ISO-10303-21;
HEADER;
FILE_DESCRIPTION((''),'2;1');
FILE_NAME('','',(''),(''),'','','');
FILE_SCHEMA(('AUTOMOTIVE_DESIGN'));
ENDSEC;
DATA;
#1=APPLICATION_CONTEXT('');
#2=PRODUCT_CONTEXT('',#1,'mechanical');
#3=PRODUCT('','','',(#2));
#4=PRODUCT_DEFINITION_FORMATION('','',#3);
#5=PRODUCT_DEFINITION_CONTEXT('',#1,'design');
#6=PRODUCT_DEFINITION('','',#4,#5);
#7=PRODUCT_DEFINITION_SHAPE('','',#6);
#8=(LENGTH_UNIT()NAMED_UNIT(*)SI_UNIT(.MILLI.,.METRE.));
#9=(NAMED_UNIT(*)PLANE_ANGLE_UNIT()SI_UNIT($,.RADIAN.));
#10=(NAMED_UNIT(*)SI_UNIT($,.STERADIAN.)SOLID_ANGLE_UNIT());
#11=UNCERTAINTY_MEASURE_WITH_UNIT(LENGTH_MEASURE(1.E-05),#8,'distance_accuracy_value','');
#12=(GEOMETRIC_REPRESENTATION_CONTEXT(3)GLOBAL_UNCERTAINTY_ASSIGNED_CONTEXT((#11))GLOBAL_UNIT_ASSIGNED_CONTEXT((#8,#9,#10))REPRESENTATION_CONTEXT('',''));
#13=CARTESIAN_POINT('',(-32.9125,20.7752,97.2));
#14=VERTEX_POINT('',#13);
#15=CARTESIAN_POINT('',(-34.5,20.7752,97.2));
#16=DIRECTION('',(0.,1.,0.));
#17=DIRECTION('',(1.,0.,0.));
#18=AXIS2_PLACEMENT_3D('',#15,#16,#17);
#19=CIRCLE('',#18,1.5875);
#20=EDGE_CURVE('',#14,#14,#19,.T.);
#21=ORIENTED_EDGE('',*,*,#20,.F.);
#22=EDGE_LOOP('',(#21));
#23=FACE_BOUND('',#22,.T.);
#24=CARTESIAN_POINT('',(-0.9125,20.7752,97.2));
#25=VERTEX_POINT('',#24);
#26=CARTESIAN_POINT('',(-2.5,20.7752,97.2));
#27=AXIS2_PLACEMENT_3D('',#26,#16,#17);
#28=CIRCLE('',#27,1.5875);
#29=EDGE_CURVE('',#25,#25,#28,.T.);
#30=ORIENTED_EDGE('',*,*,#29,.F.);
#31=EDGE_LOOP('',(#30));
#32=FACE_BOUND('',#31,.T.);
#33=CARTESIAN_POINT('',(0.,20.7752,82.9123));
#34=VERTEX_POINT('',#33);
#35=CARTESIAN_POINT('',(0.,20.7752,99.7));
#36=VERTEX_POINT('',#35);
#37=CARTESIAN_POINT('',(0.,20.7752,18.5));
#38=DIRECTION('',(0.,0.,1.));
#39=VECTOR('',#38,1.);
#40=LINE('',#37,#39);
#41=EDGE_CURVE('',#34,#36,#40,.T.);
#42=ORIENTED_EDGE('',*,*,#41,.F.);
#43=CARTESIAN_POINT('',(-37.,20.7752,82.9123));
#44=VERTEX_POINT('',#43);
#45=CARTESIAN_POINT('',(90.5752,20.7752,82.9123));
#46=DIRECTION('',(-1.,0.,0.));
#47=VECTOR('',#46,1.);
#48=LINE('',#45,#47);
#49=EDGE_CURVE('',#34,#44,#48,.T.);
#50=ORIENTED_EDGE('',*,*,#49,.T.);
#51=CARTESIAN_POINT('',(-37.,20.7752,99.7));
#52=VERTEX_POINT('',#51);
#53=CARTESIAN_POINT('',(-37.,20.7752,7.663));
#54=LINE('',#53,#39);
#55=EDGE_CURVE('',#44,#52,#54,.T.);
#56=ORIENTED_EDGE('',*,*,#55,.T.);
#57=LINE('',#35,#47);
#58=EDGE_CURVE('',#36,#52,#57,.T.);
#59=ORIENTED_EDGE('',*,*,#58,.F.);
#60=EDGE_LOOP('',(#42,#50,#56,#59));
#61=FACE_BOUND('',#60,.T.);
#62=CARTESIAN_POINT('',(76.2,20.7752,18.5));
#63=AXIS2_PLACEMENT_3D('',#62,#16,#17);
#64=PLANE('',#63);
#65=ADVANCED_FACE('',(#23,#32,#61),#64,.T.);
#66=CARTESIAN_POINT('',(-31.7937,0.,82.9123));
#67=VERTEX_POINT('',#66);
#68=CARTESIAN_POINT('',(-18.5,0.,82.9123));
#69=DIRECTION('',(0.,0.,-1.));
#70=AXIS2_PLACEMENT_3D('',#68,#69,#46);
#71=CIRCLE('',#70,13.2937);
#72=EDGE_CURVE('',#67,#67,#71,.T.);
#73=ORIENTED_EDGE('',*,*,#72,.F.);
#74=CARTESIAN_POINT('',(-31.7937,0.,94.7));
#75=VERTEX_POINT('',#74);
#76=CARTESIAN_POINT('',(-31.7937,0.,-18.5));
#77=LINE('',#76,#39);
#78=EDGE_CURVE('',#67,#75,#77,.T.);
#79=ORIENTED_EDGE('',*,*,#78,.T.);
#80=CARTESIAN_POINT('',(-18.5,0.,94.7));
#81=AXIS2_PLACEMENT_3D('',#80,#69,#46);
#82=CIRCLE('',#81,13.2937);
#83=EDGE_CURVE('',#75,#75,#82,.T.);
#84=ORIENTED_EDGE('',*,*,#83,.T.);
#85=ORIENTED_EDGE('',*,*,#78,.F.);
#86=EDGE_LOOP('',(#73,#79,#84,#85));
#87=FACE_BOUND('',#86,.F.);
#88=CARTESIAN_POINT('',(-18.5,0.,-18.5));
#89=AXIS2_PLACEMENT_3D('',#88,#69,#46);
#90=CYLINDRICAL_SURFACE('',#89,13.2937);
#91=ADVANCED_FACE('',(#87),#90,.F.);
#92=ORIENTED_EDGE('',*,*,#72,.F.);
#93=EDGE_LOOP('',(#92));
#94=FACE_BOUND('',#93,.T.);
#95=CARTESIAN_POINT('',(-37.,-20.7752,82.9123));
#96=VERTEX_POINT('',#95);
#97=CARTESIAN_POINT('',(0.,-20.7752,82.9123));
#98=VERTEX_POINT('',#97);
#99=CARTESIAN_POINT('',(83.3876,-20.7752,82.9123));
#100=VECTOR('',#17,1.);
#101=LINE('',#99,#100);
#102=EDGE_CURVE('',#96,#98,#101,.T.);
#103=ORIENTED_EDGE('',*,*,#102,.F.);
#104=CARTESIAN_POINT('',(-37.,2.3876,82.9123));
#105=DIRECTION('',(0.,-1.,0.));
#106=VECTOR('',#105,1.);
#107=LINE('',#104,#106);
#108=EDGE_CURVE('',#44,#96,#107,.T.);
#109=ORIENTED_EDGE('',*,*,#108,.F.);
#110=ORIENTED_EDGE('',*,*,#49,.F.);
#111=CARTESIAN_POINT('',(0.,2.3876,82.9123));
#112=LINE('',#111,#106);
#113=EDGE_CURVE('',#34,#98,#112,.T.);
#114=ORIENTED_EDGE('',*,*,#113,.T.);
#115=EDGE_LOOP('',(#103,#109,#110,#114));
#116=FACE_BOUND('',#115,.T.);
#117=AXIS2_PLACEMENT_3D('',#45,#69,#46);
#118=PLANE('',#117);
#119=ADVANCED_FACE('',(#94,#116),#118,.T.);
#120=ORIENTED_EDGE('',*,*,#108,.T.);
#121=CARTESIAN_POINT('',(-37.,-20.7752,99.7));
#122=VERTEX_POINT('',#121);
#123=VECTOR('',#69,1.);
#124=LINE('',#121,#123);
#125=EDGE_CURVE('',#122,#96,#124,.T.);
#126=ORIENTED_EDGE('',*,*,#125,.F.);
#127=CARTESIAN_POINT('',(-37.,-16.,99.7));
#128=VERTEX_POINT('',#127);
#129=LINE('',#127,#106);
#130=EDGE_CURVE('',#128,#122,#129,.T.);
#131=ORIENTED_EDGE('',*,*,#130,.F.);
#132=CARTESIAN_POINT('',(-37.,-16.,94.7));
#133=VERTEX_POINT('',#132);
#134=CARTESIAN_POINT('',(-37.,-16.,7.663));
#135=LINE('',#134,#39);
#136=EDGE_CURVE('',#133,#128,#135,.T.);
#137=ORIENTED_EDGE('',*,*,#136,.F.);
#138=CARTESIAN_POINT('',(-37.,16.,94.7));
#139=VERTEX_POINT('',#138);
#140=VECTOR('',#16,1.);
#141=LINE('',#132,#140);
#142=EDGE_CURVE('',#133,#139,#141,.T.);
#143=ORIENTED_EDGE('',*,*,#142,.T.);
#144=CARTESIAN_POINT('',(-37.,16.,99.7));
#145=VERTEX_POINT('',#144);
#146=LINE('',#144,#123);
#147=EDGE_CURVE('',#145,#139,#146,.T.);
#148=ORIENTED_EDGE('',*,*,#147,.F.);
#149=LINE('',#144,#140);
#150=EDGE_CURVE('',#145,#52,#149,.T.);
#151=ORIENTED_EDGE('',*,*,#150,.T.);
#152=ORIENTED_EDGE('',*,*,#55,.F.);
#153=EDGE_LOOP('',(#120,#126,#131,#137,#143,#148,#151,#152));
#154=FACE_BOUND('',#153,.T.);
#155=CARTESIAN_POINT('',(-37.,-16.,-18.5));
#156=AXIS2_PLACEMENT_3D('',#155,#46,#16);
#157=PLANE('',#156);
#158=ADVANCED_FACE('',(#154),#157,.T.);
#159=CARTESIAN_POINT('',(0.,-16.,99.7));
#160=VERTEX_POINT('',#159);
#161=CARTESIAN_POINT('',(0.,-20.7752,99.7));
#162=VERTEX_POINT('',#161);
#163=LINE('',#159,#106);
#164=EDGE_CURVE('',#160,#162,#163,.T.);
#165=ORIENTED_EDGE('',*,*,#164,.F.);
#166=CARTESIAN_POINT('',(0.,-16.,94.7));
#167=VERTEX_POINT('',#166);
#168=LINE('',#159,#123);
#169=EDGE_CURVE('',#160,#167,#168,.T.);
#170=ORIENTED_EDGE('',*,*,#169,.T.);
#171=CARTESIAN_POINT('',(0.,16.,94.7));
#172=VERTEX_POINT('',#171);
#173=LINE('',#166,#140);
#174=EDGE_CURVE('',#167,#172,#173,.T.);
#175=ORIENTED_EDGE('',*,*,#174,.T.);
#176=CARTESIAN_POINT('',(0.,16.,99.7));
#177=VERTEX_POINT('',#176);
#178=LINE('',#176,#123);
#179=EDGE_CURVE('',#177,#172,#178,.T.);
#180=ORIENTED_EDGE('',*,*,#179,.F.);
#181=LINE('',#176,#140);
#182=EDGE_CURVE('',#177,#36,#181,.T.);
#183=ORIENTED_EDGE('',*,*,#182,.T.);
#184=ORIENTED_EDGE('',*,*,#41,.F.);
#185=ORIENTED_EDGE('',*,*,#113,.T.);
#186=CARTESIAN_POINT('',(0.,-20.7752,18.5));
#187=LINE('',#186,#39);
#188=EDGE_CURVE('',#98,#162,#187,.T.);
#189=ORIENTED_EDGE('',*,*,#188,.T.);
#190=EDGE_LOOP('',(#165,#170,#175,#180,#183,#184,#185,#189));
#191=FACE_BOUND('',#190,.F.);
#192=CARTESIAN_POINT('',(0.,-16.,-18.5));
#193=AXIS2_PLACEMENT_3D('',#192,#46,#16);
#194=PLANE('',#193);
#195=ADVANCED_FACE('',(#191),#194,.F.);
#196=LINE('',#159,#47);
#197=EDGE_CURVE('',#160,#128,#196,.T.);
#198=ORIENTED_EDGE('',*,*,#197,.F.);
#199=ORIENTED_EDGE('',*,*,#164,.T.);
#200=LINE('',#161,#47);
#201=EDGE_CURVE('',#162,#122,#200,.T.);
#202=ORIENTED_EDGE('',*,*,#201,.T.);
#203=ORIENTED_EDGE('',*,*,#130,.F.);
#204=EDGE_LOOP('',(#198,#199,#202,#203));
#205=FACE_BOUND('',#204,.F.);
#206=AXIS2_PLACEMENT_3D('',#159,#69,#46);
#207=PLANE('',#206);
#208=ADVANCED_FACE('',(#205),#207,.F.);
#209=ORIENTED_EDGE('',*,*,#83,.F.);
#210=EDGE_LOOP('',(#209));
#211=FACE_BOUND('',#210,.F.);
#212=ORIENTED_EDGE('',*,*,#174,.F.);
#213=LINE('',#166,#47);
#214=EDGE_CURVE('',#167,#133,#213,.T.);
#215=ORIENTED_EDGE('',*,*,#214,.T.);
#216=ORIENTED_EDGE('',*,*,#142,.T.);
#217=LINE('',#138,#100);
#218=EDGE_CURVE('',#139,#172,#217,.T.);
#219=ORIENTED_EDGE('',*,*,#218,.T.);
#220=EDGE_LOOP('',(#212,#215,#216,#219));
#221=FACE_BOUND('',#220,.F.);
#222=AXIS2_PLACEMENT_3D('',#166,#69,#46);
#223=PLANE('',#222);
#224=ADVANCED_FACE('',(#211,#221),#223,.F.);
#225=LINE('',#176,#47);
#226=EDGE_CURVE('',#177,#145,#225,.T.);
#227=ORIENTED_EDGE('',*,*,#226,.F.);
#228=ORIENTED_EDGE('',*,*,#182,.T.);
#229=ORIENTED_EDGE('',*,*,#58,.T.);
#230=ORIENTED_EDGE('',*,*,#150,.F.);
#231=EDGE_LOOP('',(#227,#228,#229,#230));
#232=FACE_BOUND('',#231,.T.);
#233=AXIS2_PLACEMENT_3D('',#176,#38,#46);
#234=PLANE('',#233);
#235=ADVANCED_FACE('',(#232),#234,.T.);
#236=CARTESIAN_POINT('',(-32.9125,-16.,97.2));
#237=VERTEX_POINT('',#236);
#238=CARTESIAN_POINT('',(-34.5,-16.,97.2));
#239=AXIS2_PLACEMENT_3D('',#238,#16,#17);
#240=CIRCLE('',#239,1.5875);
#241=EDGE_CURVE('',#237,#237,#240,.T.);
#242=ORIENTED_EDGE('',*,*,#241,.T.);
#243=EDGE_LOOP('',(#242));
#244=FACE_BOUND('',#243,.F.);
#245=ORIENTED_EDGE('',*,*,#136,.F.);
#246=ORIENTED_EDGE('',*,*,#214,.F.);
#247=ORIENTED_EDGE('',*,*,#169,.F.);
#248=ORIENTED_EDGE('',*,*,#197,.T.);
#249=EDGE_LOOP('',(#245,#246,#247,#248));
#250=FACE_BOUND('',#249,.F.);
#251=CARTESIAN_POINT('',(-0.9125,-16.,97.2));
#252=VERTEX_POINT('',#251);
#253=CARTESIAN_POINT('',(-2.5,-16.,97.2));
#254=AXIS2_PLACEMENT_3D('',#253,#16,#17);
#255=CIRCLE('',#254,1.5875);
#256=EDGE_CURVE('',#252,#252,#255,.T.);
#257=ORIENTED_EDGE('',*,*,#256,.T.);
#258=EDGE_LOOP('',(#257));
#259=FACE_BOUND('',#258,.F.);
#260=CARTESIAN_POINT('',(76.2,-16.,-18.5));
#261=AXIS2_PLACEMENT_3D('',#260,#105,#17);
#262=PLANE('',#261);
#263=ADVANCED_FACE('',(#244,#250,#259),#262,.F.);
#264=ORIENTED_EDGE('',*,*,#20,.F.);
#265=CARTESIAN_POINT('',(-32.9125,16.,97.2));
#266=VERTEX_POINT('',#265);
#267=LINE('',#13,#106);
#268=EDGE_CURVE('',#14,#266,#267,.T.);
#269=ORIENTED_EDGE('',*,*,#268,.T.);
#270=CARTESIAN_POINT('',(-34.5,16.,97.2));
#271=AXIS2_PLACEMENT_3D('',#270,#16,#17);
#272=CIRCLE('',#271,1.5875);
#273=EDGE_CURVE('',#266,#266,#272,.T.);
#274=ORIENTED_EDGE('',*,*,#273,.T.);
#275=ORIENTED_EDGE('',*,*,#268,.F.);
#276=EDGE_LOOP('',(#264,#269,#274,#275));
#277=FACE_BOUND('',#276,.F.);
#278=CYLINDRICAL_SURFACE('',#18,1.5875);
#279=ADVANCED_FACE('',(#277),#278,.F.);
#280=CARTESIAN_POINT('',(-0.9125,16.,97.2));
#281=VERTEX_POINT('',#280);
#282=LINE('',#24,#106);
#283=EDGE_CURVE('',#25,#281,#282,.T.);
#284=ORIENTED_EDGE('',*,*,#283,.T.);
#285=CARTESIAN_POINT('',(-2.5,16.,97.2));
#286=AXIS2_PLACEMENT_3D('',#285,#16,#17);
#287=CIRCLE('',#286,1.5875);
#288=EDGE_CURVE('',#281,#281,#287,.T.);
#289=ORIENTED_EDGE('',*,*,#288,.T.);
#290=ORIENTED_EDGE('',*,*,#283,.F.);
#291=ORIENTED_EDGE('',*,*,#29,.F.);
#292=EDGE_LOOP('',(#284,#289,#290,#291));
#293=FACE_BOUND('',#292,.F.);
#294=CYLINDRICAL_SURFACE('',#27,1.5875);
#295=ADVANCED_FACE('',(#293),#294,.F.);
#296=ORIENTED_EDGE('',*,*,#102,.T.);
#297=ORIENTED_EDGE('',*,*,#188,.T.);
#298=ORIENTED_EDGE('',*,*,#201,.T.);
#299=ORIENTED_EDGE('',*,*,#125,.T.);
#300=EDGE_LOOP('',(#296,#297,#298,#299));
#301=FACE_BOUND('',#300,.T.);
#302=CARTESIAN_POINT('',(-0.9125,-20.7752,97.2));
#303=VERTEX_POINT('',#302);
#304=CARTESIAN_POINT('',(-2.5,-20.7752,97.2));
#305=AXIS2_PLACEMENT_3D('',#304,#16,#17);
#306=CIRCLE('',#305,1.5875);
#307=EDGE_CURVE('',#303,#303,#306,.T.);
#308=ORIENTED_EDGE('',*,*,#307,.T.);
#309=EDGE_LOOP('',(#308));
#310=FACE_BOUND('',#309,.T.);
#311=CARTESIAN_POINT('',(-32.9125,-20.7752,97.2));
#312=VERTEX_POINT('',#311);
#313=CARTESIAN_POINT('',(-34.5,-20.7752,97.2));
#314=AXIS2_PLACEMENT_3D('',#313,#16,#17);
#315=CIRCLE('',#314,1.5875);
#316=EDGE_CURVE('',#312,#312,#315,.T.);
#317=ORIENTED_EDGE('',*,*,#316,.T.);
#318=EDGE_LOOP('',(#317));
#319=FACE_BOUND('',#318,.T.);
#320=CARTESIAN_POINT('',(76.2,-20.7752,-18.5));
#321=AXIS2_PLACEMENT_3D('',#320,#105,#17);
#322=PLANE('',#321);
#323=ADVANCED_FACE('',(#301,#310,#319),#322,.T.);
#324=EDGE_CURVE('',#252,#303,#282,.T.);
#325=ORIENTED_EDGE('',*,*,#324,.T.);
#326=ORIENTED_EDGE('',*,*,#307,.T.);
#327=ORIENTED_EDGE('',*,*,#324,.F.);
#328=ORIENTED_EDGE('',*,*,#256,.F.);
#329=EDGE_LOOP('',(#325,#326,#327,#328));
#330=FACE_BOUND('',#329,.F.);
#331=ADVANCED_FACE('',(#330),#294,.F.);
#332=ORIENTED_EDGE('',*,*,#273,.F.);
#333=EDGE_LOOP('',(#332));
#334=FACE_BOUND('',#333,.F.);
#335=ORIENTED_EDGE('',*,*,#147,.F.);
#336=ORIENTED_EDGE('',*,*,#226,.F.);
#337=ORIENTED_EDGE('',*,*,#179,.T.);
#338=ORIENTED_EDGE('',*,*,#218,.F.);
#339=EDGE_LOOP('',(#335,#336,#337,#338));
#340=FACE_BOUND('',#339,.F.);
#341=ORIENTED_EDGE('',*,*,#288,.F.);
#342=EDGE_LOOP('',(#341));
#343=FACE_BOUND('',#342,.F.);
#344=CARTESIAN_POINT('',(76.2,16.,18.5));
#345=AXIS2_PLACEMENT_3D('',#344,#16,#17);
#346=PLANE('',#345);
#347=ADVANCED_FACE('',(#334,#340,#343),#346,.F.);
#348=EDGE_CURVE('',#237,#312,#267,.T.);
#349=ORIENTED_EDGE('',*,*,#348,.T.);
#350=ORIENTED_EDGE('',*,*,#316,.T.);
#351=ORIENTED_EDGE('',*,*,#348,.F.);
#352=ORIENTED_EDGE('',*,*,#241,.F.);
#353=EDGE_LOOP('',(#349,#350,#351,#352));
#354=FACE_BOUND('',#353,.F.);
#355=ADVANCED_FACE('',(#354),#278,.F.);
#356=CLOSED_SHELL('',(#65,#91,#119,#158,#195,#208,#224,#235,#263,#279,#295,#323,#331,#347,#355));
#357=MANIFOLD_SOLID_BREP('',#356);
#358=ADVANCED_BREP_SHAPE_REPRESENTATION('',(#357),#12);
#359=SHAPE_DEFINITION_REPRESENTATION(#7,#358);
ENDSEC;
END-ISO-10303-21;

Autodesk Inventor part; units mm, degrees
ref_plane "YZ Plane" through (0, 0, 0) normal (1, 0, 0) x (0, 1, 0)
ref_plane "XZ Plane" through (0, 0, 0) normal (0, 1, 0) x (-1, 0, 0)
ref_plane "XY Plane" through (0, 0, 0) normal (0, 0, 1) x (1, 0, 0)
sketch "Sketch2" plane through (0, 0, 0) normal (1, 0, 0) x (0, 1, 0)
  circle A0 centre (0, 0) radius 13.2937
  line L0 (-16, -18.5) -> (16, -18.5)
  line L1 (16, -18.5) -> (16, 18.5)
  line L2 (16, 18.5) -> (-16, 18.5)
  line L3 (-16, 18.5) -> (-16, -18.5)
  line L4 (-16, -18.5) -> (16, 18.5) construction
  line L5 (16, -18.5) -> (-16, 18.5) construction
  dimension "d9" = 26.5875
  dimension "d10" = 32
  dimension "d11" = 37
extrude "Extrusion2" add sketch "Sketch2" along normal blind 76.2
sketch "Sketch3" plane through (0, -16, -18.5) normal (0, 0, -1) x (-1, 0, 0)
  line L0 (0, 0) -> (0, 32) projected
  circle A0 centre (18.5, 16) radius 13.2937
  line L1 (0, 32) -> (0, 0)
  line L2 (0, 0) -> (37, 0)
  line L3 (37, 0) -> (37, 32)
  line L4 (37, 32) -> (0, 32)
  line L5 (0, 32) -> (37, 0) construction
  line L6 (0, 0) -> (37, 32) construction
  point P0 (0, 16)
  dimension "d14" = 26.5875
  dimension "d15" = 32
  dimension "d16" = 37
extrude "Extrusion3" add sketch "Sketch3" against normal blind 113.2
sketch "Sketch4" plane through (76.2, -16, -18.5) normal (0, 0, -1) x (-1, 0, 0)
  circle A0 centre (94.7, 16) radius 13.2937 projected
  point P0 (76.2, 16)
extrude "Extrusion4" add sketch "Sketch4" against normal blind 37
sketch "Sketch5" plane through (76.2, 16, 18.5) normal (0, 1, 0) x (1, 0, 0)
  line L0 (-113.2, 37) -> (0, 37) projected
  line L1 (-113.2, 37) -> (-113.2, -76.2) projected
  line L2 (-113.2, 37) -> (-100.1185, 50.0815)
  line L3 (-113.2, 37) -> (-94.7, 37) construction
  line L4 (-113.2, 37) -> (-126.2815, 23.9185)
  line L5 (-113.2, 37) -> (-94.7, 37) construction
  line L6 (-100.1185, 50.0815) -> (-154.0001, 103.963)
  line L7 (-126.2815, 23.9185) -> (-180.163, 77.8001)
  line L8 (-126.2815, 23.9185) -> (-50.0815, 23.9185) construction
  line L9 (-154.0001, 103.963) -> (-180.163, 77.8001)
  line L10 (-100.1185, 50.0815) -> (-87.037, 37)
  line L11 (-126.2815, 23.9185) -> (-113.2, 10.837)
  point P0 (-76.2, 18.5)
  dimension "d21" = 18.5
  dimension "d22" = 45
  dimension "d23" = 18.5
  dimension "d24" = 135
  dimension "d25" = 76.2
  dimension "d26" = 76.2
  dimension "d27" = 135
extrude "Extrusion5" add sketch "Sketch5" against normal blind 32
sketch "Sketch7" plane through (-77.8001, -16, -85.463) normal (-0.7071, 0, -0.7071) x (-0.7071, 0, 0.7071)
  line L0 (37, 0) -> (37, 32)
  line L1 (37, 32) -> (0, 32)
  line L2 (0, 32) -> (0, 0)
  line L3 (0, 0) -> (37, 0)
  circle A0 centre (18.5, 16) radius 13.2937
  point P0 (5.4185, 16)
  point P1 (37, 16)
extrude "Extrusion6" cut sketch "Sketch7" against normal blind 101.6 contours A0
sketch "Sketch8" plane through (76.2, 16, 18.5) normal (0, 1, 0) x (1, 0, 0)
  line L0 (-76.2, 0) -> (0, 0) projected
  line L1 (-87.037, 37) -> (0, 37) projected
  line L2 (-87.037, 37) -> (-154.0001, 103.963) projected
  line L3 (-180.163, 77.8001) -> (-113.2, 10.837) projected
  line L4 (-113.2, 10.837) -> (-113.2, -76.2) projected
  line L5 (-76.2, 0) -> (-76.2, -76.2) projected
  line L6 (0, 37) -> (5, 37)
  line L7 (5, 37) -> (5, 0)
  line L8 (5, 0) -> (0, 0)
  line L9 (0, 0) -> (0, 37)
  line L10 (-113.2, -76.2) -> (-76.2, -76.2)
  line L11 (-76.2, -76.2) -> (-76.2, -81.2)
  line L12 (-76.2, -81.2) -> (-113.2, -81.2)
  line L13 (-113.2, -81.2) -> (-113.2, -76.2)
  line L14 (-180.163, 77.8001) -> (-183.6985, 81.3356)
  line L15 (-183.6985, 81.3356) -> (-157.5356, 107.4985)
  line L16 (-157.5356, 107.4985) -> (-154.0001, 103.963)
  point P0 (-76.2, 18.5)
  dimension "d32" = 5
  dimension "d33" = 5
  dimension "d34" = 5
  dimension "d35" = 90
extrude "Extrusion7" add sketch "Sketch8" along normal blind 4.7752
sketch "Sketch9" plane through (76.2, -16, -18.5) normal (0, -1, 0) x (1, 0, 0)
  line L0 (-87.037, 0) -> (0, 0) projected
  line L1 (-76.2, 37) -> (0, 37) projected
  line L2 (-76.2, 37) -> (-76.2, 113.2) projected
  line L3 (-113.2, 26.163) -> (-113.2, 113.2) projected
  line L4 (-113.2, 26.163) -> (-180.163, -40.8001) projected
  line L5 (-154.0001, -66.963) -> (-87.037, 0) projected
  line L6 (-76.2, 118.2) -> (-76.2, 37) projected
  line L7 (-113.2, 113.2) -> (-76.2, 113.2)
  line L8 (-76.2, 113.2) -> (-76.2, 118.2)
  line L9 (-76.2, 118.2) -> (-113.2, 118.2)
  line L10 (-113.2, 118.2) -> (-113.2, 113.2)
  line L11 (-76.2, 37) -> (5, 37) projected
  line L12 (0, 0) -> (5, 0)
  line L13 (5, 0) -> (5, 37)
  line L14 (5, 37) -> (0, 37)
  line L15 (0, 37) -> (0, 0)
  line L16 (-183.6985, -44.3356) -> (-113.2, 26.163) projected
  line L17 (-180.163, -40.8001) -> (-183.6985, -44.3356)
  line L18 (-183.6985, -44.3356) -> (-157.5356, -70.4985)
  line L19 (-157.5356, -70.4985) -> (-154.0001, -66.963)
  point P0 (-76.2, 18.5)
extrude "Extrusion8" add sketch "Sketch9" along normal blind 4.7752
sketch "Sketch10" plane through (76.2, 20.7752, 18.5) normal (0, 1, 0) x (1, 0, 0)
  circle A0 centre (2.5, 34.5) radius 1.5875
  circle A1 centre (2.5, 2.5) radius 1.5875
  line L0 (0, 37) -> (0, 0)
  line L1 (0, 0) -> (5, 0)
  line L2 (5, 37) -> (5, 0)
  line L3 (0, 37) -> (5, 37)
  point P0 (-76.2, 18.5)
  point P1 (0, 18.5)
extrude "Extrusion9" cut sketch "Sketch10" against normal blind 279.4 contours A0 | A1
sketch "Sketch11" plane through (76.2, 20.7752, 18.5) normal (0, 1, 0) x (1, 0, 0)
  circle A0 centre (-78.7, -78.7) radius 1.5875
  circle A1 centre (-110.7, -78.7) radius 1.5875
  line L0 (-76.2, -76.2) -> (-113.2, -76.2)
  line L1 (-113.2, -76.2) -> (-113.2, -81.2)
  line L2 (-76.2, -81.2) -> (-113.2, -81.2)
  line L3 (-76.2, -76.2) -> (-76.2, -81.2)
  circle A2 centre (-157.5356, 103.963) radius 1.5875
  circle A3 centre (-180.163, 81.3356) radius 1.5875
  line L4 (-157.5356, 107.4985) -> (-183.6985, 81.3356)
  line L5 (-183.6985, 81.3356) -> (-180.163, 77.8001)
  line L6 (-154.0001, 103.963) -> (-180.163, 77.8001)
  line L7 (-157.5356, 107.4985) -> (-154.0001, 103.963)
  point P0 (-76.2, 18.5)
  point P1 (-94.7, -76.2)
  point P2 (-170.6171, 94.4171)
extrude "Extrusion10" cut sketch "Sketch11" against normal blind 279.4 contours A0 | A1 | A2 | A3
sketch "Sketch12" plane through (76.2, 20.7752, 18.5) normal (0, 1, 0) x (1, 0, 0)
  circle A0 centre (-157.5356, 103.963) radius 1.5875 projected
  circle A1 centre (-180.163, 81.3356) radius 1.5875 projected
  circle A2 centre (2.5, 2.5) radius 1.5875 projected
  circle A3 centre (2.5, 34.5) radius 1.5875 projected
  line L0 (-204.7971, 116.7224) -> (14.3752, 116.7224)
  line L1 (14.3752, 116.7224) -> (14.3752, -64.4123)
  line L2 (14.3752, -64.4123) -> (-204.7971, -64.4123)
  line L3 (-204.7971, -64.4123) -> (-204.7971, 116.7224)
  point P0 (-76.2, 18.5)
extrude "Extrusion11" cut sketch "Sketch12" against normal blind 76.2
properties part number "testPrintBracket"
